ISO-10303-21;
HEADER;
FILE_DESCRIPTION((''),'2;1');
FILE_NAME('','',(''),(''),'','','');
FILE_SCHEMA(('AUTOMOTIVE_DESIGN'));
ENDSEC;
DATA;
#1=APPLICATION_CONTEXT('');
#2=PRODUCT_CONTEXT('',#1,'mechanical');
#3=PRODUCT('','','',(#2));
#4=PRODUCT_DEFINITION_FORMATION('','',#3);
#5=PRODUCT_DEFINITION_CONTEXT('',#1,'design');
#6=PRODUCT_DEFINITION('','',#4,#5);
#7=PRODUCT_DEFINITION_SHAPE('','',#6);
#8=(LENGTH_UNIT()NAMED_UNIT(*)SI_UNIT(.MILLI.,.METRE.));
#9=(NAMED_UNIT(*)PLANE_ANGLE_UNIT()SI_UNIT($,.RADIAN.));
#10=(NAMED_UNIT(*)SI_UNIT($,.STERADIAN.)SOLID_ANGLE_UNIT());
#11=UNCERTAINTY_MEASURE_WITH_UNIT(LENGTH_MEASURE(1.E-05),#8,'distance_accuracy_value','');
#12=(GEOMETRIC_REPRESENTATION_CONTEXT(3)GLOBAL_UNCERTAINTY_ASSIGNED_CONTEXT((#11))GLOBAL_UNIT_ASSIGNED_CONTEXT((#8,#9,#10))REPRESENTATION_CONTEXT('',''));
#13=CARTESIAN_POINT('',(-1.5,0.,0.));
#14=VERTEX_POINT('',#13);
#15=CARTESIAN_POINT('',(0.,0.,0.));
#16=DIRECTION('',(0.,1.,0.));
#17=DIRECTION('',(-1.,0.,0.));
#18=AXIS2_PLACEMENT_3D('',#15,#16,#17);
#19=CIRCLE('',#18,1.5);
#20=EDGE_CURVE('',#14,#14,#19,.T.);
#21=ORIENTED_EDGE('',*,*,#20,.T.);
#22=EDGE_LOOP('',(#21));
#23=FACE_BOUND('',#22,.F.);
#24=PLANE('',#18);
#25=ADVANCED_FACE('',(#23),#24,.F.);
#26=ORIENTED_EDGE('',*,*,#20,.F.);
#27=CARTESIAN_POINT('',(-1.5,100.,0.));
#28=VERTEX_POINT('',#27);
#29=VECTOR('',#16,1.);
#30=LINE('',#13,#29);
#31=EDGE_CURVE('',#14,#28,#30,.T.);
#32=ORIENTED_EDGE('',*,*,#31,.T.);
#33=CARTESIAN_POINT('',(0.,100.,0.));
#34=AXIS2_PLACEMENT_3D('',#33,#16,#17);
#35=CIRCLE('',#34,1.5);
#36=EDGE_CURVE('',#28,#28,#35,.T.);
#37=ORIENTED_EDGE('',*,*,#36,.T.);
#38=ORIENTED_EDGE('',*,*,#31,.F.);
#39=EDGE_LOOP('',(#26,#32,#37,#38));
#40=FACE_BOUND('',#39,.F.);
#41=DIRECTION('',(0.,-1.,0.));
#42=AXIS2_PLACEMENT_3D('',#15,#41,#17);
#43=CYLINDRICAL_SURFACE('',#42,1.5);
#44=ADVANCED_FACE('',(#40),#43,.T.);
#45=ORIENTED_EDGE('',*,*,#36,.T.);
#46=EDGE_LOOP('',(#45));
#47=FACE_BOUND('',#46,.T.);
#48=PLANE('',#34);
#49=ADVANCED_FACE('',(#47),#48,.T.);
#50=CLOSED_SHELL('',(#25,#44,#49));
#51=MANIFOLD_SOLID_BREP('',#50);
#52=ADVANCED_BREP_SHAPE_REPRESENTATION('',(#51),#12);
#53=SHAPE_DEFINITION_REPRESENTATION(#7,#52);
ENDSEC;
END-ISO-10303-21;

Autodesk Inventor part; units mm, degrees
ref_plane "YZ Plane" through (0, 0, 0) normal (1, 0, 0) x (0, 1, 0)
ref_plane "XZ Plane" through (0, 0, 0) normal (0, 1, 0) x (-1, 0, 0)
ref_plane "XY Plane" through (0, 0, 0) normal (0, 0, 1) x (1, 0, 0)
sketch "Sketch1" plane through (0, 0, 0) normal (0, 1, 0) x (-1, 0, 0)
  circle A0 centre (0, 0) radius 1.5
  dimension "d0" = 3
extrude "Extrusion1" add sketch "Sketch1" along normal blind 100
thread "Thread1" size "M3x0.5" class "6g" standard "ANSI Metric M Profile" full length
properties part number "tornillo"
